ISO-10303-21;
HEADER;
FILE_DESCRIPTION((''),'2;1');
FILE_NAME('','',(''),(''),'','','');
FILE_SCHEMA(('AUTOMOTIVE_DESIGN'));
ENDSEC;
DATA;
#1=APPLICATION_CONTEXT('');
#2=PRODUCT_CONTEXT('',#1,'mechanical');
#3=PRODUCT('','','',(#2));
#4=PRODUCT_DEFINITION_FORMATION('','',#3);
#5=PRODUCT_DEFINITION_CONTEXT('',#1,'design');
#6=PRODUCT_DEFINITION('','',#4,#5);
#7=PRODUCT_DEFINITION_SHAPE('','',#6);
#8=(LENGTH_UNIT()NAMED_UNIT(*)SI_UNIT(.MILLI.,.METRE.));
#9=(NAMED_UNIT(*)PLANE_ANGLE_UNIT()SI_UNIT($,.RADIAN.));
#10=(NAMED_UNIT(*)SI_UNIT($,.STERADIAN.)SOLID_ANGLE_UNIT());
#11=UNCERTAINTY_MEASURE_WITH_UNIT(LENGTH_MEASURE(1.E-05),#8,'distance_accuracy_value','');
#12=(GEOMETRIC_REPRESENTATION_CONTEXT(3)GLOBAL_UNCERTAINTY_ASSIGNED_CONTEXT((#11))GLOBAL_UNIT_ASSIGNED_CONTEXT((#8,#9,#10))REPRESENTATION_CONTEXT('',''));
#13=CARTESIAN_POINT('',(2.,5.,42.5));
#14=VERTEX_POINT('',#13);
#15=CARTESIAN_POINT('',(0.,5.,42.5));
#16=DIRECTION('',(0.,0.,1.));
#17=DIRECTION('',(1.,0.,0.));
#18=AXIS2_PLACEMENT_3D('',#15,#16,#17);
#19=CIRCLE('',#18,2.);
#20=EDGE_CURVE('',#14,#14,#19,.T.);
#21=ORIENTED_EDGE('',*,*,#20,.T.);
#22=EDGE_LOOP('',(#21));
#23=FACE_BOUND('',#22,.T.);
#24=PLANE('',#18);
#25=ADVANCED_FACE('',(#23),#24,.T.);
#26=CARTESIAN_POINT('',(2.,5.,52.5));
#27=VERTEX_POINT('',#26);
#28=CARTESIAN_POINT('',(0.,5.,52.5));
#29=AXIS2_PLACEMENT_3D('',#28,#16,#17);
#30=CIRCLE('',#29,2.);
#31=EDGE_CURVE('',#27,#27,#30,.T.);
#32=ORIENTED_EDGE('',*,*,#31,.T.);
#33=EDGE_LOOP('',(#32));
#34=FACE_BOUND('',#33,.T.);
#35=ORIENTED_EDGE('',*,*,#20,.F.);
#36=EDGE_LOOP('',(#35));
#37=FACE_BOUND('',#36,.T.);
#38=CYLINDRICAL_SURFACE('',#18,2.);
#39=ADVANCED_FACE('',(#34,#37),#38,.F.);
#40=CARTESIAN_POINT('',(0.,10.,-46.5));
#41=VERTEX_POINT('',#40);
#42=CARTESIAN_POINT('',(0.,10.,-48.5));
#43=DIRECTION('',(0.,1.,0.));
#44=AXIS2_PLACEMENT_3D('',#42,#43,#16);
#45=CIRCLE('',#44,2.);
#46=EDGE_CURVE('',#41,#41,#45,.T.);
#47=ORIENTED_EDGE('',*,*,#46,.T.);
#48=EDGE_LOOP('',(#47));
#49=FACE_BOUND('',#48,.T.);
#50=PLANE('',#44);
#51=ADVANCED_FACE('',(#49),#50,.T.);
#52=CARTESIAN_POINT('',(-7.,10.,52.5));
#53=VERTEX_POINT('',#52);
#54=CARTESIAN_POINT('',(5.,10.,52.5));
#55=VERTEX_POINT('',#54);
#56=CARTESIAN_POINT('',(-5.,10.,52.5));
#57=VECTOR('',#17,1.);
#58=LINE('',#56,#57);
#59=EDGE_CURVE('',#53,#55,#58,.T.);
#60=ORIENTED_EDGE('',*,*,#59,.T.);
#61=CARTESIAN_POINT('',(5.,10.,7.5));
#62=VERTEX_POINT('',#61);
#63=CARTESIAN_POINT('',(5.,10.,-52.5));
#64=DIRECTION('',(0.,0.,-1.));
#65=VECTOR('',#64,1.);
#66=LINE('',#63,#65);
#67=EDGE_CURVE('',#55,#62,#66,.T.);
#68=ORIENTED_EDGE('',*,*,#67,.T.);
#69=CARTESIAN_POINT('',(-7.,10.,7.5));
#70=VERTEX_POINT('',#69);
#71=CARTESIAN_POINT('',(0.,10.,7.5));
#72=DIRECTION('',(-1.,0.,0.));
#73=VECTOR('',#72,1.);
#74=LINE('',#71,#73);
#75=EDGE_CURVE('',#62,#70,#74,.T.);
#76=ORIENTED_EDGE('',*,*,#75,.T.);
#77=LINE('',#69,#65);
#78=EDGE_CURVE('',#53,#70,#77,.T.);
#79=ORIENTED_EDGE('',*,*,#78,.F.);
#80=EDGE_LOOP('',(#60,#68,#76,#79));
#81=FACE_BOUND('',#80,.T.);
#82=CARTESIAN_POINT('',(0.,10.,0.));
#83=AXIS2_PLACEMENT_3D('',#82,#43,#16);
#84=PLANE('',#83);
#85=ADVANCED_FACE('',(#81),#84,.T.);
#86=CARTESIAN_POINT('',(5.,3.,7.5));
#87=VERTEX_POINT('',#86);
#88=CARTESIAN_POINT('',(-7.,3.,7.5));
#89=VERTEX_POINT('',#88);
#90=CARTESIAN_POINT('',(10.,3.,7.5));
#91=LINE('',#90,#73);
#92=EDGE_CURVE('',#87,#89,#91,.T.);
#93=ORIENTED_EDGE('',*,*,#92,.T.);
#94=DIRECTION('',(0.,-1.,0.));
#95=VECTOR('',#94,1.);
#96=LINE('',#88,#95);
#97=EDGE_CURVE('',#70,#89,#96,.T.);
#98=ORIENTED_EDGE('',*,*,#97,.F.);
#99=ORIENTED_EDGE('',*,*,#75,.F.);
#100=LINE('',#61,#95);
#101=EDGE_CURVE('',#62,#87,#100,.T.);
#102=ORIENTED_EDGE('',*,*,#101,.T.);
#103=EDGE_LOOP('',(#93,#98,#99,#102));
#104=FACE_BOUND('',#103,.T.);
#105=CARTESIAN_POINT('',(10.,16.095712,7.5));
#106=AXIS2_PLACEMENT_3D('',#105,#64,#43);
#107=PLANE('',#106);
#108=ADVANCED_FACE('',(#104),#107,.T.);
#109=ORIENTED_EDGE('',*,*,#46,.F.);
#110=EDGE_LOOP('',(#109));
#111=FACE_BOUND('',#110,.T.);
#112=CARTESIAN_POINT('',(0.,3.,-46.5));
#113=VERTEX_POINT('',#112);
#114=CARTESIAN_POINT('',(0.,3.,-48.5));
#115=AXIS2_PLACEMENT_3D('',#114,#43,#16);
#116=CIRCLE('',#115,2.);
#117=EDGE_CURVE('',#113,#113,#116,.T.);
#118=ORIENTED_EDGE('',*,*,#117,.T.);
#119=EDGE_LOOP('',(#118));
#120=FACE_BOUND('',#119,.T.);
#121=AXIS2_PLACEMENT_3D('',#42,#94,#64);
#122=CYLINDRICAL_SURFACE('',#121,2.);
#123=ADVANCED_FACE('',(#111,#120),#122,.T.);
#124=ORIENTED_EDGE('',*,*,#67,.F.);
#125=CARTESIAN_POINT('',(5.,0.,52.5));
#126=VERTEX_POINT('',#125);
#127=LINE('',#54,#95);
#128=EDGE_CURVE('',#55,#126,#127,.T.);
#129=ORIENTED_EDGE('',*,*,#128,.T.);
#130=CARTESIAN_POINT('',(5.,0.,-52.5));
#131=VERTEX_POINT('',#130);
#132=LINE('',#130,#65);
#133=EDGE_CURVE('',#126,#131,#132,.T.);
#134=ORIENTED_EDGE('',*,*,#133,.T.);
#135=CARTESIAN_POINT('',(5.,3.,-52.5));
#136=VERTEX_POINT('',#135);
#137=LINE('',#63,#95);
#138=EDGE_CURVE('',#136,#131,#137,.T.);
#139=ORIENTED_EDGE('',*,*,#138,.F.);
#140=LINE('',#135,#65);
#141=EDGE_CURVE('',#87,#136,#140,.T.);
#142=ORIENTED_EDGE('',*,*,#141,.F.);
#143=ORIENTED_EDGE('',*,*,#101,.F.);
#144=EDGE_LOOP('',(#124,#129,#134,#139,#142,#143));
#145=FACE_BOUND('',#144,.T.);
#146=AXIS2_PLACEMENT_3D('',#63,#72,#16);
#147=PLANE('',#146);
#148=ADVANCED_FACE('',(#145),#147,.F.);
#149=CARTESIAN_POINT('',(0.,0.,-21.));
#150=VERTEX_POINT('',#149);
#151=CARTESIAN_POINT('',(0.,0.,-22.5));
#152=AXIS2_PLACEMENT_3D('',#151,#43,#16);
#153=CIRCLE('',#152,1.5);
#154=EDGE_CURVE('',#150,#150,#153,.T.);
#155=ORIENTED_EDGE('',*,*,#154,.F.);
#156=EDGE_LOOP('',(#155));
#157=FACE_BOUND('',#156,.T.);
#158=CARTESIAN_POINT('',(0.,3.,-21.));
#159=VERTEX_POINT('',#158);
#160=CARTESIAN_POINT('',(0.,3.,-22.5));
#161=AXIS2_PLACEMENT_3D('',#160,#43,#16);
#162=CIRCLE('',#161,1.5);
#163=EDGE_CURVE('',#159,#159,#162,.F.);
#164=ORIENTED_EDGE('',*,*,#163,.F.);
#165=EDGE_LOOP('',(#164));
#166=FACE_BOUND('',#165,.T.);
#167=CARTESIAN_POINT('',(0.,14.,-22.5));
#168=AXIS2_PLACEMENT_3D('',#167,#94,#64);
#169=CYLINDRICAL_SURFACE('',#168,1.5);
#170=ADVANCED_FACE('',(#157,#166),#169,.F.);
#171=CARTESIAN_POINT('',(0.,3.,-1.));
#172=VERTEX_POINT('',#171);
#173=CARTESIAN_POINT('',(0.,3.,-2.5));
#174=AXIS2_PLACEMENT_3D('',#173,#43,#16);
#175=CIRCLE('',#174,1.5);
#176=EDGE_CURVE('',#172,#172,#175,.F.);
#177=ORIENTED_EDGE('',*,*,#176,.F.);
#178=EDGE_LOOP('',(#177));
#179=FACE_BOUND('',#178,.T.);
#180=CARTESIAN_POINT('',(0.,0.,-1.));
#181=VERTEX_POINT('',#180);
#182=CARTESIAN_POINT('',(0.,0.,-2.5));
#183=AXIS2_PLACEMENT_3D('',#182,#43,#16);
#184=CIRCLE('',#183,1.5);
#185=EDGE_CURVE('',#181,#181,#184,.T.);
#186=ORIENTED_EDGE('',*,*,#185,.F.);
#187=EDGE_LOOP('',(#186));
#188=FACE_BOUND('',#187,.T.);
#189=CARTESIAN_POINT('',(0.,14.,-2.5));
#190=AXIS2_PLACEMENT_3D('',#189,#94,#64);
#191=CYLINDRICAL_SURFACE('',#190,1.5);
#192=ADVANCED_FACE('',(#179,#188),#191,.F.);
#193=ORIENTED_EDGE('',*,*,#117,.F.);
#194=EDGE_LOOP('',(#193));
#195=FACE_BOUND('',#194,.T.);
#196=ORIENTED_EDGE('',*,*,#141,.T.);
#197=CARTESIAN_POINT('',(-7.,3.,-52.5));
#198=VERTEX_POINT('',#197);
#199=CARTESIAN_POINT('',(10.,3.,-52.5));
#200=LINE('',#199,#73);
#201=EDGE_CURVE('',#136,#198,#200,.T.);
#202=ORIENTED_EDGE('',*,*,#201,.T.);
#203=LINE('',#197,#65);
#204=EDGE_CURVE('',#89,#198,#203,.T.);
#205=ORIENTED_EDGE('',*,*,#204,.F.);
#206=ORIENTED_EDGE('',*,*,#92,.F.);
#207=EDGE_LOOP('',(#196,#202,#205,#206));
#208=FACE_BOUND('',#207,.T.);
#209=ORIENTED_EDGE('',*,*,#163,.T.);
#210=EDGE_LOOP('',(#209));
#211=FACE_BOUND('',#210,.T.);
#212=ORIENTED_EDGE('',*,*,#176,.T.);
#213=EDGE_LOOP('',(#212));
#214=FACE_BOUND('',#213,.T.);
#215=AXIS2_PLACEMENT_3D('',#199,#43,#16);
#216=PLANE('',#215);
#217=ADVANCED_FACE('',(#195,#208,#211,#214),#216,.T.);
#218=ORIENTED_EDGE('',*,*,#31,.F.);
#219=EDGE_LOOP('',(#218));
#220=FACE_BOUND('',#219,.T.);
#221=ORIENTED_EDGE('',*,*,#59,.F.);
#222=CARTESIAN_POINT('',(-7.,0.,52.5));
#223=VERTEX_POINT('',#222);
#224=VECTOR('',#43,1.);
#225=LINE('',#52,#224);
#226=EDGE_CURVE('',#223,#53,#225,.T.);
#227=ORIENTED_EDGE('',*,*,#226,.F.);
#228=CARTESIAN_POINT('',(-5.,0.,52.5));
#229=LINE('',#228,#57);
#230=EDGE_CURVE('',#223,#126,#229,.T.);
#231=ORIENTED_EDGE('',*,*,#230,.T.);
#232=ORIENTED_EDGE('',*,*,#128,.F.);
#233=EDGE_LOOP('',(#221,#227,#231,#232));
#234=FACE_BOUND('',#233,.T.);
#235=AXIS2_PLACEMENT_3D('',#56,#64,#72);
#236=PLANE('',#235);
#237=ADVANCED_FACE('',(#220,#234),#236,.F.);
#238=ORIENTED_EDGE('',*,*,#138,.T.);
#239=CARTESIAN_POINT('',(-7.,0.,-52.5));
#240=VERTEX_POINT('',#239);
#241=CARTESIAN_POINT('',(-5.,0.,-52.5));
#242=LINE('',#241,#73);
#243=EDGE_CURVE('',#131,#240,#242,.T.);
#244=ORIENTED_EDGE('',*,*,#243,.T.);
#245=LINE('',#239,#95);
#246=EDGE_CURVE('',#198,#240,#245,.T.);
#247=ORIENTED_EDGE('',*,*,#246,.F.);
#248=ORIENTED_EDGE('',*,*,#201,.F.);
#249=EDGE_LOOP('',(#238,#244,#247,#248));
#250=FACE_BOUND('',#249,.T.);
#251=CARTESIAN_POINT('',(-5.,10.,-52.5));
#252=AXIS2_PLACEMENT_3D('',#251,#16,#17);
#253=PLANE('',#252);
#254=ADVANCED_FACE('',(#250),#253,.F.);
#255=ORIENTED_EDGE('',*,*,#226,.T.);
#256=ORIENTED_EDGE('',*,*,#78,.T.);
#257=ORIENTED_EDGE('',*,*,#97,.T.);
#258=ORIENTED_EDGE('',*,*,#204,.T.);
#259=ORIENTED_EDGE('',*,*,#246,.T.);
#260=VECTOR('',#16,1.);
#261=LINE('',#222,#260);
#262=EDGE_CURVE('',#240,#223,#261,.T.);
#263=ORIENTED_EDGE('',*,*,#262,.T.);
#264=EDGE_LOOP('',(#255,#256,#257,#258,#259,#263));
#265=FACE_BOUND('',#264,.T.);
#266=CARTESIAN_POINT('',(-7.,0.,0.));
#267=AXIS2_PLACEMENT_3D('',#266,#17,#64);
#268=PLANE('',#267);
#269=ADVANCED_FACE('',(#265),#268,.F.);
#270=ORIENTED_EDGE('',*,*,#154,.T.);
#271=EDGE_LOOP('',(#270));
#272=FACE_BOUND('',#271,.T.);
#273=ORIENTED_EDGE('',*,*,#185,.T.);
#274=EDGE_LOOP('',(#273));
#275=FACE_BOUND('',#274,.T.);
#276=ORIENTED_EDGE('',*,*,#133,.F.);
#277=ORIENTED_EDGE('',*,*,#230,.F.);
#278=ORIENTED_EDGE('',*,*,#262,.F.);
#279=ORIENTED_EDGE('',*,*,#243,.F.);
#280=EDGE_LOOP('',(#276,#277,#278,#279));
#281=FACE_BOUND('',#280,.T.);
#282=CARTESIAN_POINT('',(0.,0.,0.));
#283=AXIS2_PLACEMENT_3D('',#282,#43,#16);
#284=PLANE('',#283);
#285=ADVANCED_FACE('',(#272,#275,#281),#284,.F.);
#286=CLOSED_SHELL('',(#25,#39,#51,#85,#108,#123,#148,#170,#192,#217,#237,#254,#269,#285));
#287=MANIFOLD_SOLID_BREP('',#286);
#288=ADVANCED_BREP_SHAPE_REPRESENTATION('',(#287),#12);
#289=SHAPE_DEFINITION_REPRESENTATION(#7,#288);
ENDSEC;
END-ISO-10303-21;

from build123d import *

# Parameters (mm, degrees)
SKETCH1_W               = 10
SKETCH1_H               = 105
BOSS_EXTRUDE1_DEPTH     = 10
SKETCH2_W               = 60
SKETCH2_H               = 13.095712102
CUT_EXTRUDE1_DEPTH      = 10
CUT_EXTRUDE1_DEPTH_BACK = 10
SKETCH3_R               = 2
BOSS_EXTRUDE2_DEPTH     = 7
SKETCH4_R               = 1.5
CUT_EXTRUDE2_DEPTH      = 14
SKETCH5_R               = 2
CUT_EXTRUDE3_DEPTH      = 10
BOSS_EXTRUDE3_DEPTH     = 2


with BuildPart() as part:
    # Sketch1 → Boss-Extrude1 (new body)
    with BuildSketch(Plane(origin=(0, 0, 0), x_dir=(1, 0, 0), z_dir=(0, 1, 0))):
        Rectangle(SKETCH1_W, SKETCH1_H)
    extrude(amount=BOSS_EXTRUDE1_DEPTH)

    # Sketch2 → Cut-Extrude1 (cut, two sides)
    with BuildSketch(Plane(origin=(0, 0, 0), x_dir=(0, 0, -1), z_dir=(1, 0, 0))) as cut_extrude1_sk:
        with Locations((22.5, 9.547856051)):
            Rectangle(SKETCH2_W, SKETCH2_H)
    extrude(amount=CUT_EXTRUDE1_DEPTH, mode=Mode.SUBTRACT)
    extrude(cut_extrude1_sk.sketch, amount=-CUT_EXTRUDE1_DEPTH_BACK, mode=Mode.SUBTRACT)

    # Sketch3 → Boss-Extrude2 (add)
    with BuildSketch(Plane(origin=(0, 3, 0), x_dir=(1, 0, 0), z_dir=(0, 1, 0))):
        with Locations((0, 48.5)):
            Circle(SKETCH3_R)
    extrude(amount=BOSS_EXTRUDE2_DEPTH)

    # Sketch4 → Cut-Extrude2 (cut)
    with BuildSketch(Plane(origin=(0, 0, 0), x_dir=(1, 0, 0), z_dir=(0, 1, 0))):
        with Locations((0, 2.5)):
            Circle(SKETCH4_R)
        with Locations((0, 22.5)):
            Circle(SKETCH4_R)
    extrude(amount=CUT_EXTRUDE2_DEPTH, mode=Mode.SUBTRACT)

    # Sketch5 → Cut-Extrude3 (cut)
    with BuildSketch(Plane.XY.offset(52.5)):
        with Locations((0, 5)):
            Circle(SKETCH5_R)
    extrude(amount=-CUT_EXTRUDE3_DEPTH, mode=Mode.SUBTRACT)

    # Sketch6 → Boss-Extrude3 (add)
    with BuildSketch(Plane.ZY.offset(5)):
        Polygon((7.5, 10), (52.5, 10), (52.5, 0), (-52.5, 0), (-52.5, 3), (7.5, 3), align=None)
    extrude(amount=BOSS_EXTRUDE3_DEPTH)


solid = part.part
